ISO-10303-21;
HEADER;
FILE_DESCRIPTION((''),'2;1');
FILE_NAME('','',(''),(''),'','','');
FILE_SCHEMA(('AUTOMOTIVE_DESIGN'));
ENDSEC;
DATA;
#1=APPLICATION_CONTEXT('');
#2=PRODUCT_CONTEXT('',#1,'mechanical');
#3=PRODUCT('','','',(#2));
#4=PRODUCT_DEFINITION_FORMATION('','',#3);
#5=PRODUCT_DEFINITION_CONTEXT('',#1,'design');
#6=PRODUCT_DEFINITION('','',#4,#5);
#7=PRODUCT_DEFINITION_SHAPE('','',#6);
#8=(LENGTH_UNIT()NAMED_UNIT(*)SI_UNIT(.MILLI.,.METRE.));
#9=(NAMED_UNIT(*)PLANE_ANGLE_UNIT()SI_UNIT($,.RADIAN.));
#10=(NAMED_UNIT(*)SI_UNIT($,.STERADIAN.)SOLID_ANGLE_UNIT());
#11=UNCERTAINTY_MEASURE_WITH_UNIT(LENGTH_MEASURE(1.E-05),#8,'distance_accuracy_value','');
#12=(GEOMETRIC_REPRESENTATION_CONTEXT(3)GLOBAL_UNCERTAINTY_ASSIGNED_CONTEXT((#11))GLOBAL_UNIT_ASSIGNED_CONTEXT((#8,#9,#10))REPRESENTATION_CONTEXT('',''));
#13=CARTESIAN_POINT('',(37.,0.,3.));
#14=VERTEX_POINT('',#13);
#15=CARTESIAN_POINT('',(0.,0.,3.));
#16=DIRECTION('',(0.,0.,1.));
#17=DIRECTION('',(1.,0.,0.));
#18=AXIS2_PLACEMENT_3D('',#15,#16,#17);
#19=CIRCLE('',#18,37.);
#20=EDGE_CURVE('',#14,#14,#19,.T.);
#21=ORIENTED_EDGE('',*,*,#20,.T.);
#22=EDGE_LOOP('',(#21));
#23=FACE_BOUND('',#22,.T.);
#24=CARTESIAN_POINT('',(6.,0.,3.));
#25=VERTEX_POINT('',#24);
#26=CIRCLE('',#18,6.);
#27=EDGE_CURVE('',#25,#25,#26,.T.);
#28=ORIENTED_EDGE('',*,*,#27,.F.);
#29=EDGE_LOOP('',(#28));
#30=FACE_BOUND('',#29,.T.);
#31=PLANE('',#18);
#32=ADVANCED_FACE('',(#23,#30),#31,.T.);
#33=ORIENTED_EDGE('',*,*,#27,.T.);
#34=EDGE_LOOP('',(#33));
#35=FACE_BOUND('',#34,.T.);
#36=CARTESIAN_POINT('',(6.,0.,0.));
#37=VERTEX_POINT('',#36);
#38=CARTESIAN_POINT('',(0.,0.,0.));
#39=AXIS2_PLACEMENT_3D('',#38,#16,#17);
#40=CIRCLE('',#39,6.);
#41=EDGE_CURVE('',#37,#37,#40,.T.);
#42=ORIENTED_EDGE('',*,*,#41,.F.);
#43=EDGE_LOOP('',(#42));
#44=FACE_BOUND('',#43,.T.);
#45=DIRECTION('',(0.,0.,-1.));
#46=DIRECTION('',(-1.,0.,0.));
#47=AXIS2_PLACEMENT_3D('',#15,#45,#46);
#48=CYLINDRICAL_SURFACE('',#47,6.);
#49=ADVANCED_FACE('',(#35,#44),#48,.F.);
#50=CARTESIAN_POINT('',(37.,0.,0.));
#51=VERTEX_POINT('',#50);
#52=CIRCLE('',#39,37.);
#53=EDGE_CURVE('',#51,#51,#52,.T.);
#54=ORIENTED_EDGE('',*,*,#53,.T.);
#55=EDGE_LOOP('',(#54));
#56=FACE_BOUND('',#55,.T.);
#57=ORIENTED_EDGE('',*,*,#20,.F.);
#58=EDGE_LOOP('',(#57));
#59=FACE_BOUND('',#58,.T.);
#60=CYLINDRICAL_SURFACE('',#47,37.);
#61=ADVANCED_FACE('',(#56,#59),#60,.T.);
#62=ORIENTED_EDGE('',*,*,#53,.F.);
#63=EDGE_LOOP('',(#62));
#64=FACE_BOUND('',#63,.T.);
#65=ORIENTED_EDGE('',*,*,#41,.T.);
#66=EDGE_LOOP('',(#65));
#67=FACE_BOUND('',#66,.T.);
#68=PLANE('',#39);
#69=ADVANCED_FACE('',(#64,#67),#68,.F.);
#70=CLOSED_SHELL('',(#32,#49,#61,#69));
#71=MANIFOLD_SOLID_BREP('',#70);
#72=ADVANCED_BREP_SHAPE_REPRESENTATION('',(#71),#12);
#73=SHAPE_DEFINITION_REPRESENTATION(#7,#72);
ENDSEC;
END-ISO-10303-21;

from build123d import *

# Parameters (mm, degrees)
MODEL_R             = 37
MODEL_R_2           = 6
BOSS_EXTRUDE2_DEPTH = 3


with BuildPart() as part:
    # Model → Boss-Extrude2 (new body)
    with BuildSketch(Plane.XY):
        Circle(MODEL_R)
        Circle(MODEL_R_2, mode=Mode.SUBTRACT)
    extrude(amount=BOSS_EXTRUDE2_DEPTH)


solid = part.part
